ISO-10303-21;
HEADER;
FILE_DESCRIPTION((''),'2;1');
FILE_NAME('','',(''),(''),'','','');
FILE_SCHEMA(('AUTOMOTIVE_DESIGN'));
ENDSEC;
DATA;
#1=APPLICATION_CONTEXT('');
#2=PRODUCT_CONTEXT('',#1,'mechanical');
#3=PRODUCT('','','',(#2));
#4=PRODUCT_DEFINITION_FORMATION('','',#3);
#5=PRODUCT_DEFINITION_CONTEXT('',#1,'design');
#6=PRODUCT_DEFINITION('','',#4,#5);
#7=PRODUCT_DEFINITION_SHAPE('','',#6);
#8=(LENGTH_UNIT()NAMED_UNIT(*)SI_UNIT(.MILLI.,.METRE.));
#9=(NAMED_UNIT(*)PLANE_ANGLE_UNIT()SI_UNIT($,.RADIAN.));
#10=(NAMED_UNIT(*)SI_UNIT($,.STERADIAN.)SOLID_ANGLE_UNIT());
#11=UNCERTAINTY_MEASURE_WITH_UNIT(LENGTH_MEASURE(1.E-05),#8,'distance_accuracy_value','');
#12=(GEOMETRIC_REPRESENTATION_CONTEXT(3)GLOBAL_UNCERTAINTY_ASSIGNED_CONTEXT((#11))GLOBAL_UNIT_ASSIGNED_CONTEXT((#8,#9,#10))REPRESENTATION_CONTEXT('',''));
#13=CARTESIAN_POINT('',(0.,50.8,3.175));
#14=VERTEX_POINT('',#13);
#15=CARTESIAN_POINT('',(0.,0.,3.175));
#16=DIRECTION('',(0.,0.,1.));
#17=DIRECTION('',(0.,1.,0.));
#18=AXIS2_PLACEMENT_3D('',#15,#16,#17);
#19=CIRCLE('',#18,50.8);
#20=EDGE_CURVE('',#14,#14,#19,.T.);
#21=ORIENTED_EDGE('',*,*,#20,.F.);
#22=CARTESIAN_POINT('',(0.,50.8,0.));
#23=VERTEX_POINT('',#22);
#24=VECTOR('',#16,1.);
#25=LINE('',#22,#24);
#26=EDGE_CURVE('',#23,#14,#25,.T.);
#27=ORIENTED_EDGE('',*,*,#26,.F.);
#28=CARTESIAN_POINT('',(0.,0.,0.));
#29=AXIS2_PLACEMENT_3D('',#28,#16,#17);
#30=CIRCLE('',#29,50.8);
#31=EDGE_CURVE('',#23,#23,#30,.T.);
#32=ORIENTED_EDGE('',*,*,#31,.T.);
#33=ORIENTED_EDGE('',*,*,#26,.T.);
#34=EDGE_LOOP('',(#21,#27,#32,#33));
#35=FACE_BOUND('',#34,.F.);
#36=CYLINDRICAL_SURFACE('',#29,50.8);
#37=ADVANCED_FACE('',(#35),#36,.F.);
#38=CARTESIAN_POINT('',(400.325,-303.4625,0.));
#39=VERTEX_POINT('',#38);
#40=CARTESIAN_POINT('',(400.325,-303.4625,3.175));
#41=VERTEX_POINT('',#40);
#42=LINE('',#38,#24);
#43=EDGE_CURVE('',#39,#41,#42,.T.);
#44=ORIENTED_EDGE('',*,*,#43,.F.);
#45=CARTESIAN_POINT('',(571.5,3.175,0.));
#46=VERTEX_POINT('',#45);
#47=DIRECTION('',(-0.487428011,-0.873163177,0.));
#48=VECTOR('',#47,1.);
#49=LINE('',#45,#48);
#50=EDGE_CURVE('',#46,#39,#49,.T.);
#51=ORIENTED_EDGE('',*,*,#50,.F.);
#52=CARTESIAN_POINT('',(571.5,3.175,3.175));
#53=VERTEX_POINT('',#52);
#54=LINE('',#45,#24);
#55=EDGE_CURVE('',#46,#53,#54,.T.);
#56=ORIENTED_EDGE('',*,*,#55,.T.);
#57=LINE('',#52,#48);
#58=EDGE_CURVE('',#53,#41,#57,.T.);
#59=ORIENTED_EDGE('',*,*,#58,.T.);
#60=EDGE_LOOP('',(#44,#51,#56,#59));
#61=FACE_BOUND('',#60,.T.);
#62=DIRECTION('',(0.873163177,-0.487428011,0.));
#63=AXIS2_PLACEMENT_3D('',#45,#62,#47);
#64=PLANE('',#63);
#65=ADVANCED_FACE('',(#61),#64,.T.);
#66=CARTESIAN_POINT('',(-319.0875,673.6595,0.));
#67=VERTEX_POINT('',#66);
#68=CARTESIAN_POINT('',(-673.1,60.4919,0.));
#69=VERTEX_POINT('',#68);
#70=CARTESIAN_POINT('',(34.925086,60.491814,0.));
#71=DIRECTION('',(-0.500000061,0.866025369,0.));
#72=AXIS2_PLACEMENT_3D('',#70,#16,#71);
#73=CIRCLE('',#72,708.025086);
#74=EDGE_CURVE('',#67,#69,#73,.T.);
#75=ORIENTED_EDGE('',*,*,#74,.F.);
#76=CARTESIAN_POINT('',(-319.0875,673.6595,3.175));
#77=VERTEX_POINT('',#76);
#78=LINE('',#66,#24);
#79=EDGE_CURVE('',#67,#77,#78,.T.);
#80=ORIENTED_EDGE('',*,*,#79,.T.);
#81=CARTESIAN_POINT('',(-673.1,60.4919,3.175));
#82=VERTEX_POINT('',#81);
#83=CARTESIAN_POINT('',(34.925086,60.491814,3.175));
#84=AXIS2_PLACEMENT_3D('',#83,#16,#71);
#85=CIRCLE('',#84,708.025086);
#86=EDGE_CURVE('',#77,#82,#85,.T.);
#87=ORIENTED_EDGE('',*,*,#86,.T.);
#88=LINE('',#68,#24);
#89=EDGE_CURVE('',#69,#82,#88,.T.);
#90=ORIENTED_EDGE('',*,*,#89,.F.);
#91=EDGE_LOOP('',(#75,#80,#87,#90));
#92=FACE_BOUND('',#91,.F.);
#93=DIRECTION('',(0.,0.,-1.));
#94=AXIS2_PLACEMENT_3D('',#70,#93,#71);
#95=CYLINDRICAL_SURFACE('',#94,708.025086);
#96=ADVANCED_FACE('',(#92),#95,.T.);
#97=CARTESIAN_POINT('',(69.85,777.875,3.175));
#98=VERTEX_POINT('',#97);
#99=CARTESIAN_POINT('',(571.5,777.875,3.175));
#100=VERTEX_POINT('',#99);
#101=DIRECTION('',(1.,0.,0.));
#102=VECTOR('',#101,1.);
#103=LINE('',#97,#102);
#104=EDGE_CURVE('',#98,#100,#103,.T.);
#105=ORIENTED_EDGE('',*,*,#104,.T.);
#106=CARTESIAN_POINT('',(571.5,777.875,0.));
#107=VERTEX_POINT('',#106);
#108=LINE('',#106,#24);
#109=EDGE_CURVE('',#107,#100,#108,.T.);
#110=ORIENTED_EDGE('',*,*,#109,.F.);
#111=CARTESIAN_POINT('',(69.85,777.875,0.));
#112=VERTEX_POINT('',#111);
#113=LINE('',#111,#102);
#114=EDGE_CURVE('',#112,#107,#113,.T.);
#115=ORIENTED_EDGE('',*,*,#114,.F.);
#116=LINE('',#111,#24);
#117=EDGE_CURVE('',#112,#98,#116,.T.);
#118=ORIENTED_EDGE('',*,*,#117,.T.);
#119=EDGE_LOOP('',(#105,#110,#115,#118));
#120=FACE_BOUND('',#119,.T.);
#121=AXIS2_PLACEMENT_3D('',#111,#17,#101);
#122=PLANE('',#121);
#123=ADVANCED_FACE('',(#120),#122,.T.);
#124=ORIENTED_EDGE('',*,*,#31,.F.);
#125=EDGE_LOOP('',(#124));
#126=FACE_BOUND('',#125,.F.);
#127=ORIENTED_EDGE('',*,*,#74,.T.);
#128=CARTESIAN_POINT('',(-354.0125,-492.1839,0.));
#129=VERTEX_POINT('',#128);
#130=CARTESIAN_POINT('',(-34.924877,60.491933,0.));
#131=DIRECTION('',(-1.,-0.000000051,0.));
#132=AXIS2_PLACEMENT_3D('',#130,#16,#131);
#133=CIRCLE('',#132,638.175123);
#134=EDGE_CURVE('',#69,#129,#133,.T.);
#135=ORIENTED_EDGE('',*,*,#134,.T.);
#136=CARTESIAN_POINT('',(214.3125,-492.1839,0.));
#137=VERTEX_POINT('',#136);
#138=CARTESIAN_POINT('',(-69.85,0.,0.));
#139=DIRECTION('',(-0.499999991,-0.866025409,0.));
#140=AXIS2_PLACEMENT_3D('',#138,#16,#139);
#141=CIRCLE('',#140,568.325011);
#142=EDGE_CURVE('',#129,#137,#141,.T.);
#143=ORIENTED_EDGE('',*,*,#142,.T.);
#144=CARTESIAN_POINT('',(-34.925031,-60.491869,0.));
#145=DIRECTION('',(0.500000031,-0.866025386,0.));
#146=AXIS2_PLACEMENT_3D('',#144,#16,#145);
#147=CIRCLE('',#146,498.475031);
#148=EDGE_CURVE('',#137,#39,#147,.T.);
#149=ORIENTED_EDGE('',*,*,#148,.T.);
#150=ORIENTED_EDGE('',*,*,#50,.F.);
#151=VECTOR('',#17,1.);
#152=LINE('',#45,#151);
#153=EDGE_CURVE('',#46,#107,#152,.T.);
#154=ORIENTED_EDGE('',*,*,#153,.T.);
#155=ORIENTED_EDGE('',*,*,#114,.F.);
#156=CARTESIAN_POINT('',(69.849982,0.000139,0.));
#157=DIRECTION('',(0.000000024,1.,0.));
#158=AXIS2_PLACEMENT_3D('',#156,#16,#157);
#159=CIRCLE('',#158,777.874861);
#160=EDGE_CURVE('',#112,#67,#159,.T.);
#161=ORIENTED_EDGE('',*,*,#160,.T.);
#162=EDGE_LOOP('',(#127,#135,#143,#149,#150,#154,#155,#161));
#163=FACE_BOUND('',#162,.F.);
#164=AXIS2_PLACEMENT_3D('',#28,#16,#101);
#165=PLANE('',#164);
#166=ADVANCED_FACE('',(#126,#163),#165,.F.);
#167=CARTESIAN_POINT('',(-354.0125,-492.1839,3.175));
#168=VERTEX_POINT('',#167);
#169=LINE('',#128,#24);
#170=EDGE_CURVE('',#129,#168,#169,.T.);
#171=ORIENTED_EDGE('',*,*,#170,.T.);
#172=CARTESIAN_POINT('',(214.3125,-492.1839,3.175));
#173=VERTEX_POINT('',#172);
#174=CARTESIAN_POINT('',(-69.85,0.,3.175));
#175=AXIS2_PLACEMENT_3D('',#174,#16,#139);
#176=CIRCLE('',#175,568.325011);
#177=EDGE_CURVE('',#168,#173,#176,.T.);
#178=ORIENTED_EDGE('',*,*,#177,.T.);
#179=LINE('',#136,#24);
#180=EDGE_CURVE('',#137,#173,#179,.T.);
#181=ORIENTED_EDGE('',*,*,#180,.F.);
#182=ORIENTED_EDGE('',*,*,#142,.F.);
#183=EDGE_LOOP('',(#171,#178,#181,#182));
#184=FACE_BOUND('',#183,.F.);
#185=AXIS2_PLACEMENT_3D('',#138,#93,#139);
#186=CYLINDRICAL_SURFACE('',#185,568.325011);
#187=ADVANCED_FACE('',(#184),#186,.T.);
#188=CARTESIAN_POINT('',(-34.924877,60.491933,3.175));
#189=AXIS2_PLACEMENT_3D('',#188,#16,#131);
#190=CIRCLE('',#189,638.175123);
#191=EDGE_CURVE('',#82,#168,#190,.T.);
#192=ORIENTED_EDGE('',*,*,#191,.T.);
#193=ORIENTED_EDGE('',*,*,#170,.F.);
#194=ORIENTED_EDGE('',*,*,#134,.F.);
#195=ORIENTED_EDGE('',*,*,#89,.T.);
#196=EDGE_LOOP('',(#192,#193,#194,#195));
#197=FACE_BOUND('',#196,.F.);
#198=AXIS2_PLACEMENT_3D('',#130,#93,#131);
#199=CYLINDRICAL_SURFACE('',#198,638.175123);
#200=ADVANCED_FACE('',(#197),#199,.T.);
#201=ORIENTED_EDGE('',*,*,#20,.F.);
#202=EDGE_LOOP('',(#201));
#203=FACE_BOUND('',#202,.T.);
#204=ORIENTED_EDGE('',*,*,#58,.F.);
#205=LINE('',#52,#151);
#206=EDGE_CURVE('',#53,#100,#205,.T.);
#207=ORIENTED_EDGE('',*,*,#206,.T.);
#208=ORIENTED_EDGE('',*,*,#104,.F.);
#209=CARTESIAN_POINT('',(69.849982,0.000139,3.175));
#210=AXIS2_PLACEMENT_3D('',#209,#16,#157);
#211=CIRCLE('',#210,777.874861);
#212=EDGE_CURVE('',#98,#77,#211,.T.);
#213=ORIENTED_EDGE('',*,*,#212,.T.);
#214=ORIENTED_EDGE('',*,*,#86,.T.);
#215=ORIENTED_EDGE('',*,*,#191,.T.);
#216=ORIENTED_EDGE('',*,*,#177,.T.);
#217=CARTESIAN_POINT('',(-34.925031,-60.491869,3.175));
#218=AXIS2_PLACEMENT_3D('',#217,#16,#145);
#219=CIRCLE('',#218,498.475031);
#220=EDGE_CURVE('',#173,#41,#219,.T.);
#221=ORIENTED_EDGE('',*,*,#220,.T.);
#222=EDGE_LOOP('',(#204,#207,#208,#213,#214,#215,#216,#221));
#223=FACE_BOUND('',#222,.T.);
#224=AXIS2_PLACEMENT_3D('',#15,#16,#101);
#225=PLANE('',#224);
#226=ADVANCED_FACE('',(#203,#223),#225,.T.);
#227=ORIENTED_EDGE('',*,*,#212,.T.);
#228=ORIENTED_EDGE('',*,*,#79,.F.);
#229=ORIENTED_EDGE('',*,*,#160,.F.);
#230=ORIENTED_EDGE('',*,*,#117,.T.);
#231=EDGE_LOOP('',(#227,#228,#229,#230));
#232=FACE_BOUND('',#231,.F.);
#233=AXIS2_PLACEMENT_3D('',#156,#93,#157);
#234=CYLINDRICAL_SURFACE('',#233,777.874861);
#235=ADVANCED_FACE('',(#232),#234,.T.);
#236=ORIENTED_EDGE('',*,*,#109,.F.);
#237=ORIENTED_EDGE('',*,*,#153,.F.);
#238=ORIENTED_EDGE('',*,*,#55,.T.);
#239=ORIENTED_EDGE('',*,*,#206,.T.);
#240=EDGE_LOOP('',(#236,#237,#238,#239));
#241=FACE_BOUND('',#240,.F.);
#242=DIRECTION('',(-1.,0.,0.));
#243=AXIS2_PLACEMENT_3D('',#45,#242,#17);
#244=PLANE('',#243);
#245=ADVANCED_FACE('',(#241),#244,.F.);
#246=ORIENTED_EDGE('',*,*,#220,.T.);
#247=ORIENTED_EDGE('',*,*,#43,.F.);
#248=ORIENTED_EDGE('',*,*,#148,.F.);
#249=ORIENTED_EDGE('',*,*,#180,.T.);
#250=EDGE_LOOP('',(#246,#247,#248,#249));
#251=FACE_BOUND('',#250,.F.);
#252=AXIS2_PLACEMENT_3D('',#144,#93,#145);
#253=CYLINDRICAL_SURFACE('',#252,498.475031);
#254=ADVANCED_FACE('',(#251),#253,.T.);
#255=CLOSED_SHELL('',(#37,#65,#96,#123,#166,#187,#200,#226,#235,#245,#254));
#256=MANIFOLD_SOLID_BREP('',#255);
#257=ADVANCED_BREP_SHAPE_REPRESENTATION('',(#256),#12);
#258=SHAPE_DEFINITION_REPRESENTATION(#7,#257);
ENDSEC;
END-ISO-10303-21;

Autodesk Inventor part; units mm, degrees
ref_plane "YZ Plane" through (0, 0, 0) normal (1, 0, 0) x (0, 1, 0)
ref_plane "XZ Plane" through (0, 0, 0) normal (0, 1, 0) x (-1, 0, 0)
ref_plane "XY Plane" through (0, 0, 0) normal (0, 0, 1) x (1, 0, 0)
sketch "Sketch1" plane through (0, 0, 0) normal (0, 0, 1) x (1, 0, 0)
  circle A0 centre (0, 0) radius 69.85 construction
  line L0 (69.85, 0) -> (34.925, -60.4919) construction
  line L1 (34.925, -60.4919) -> (-34.925, -60.4919) construction
  line L2 (-34.925, -60.4919) -> (-69.85, 0) construction
  line L3 (-69.85, 0) -> (-34.925, 60.4919) construction
  line L4 (-34.925, 60.4919) -> (34.925, 60.4919) construction
  line L5 (34.925, 60.4919) -> (69.85, 0) construction
  line L6 (69.85, 0) -> (69.85, 777.875) construction
  line L7 (0, 60.4919) -> (0, -60.4919) construction
  line L8 (-69.85, 0) -> (69.85, 0) construction
  arc A1 (69.85, 777.875) -> (-319.0875, 673.6595) centre (69.85, 0) ccw
  arc A2 (-319.0875, 673.6595) -> (-673.1, 60.4919) centre (34.925, 60.4919) ccw
  arc A3 (-673.1, 60.4919) -> (-354.0125, -492.1839) centre (-34.925, 60.4919) ccw
  arc A4 (-354.0125, -492.1839) -> (214.3125, -492.1839) centre (-69.85, 0) ccw
  arc A5 (214.3125, -492.1839) -> (463.55, -60.4919) centre (-34.925, -60.4919) ccw
  arc A6 (463.55, -60.4919) -> (458.7952, 3.175) centre (34.925, -60.4919) ccw
  line L9 (458.7952, 3.175) -> (571.5, 3.175)
  line L10 (571.5, 3.175) -> (571.5, 777.875)
  line L11 (69.85, 777.875) -> (571.5, 777.875)
  line L12 (571.5, 3.175) -> (400.325, -303.4625)
  dimension "d0" = 777.875
  dimension "d1" = 139.7
  dimension "d2" = 571.5
  dimension "d3" = 774.7
  dimension "d5" = 498.475
extrude "Extrusion1" add sketch "Sketch1" along normal blind 3.175
hole "Hole1" at (0, 0, 0) direction (0, 0, 1) diameter 101.6 end through all
ref_plane "Work Plane1" through (0, 0, 1833.3831) normal (-1, 0, 0) x (0, 0, 1)
ref_plane "Work Plane2" through (0, 0, 1833.3831) normal (0, -1, 0) x (0, 0, 1)
ref_plane "Work Plane3" through (0, 0, 1833.3831) normal (0.7071, -0.7071, 0) x (0, 0, 1)
ref_plane "Work Plane4" through (0, 0, 1833.3831) normal (-0.7071, -0.7071, 0) x (0, 0, 1)
properties part number "drive side sheet" material "Steel, Mild"
